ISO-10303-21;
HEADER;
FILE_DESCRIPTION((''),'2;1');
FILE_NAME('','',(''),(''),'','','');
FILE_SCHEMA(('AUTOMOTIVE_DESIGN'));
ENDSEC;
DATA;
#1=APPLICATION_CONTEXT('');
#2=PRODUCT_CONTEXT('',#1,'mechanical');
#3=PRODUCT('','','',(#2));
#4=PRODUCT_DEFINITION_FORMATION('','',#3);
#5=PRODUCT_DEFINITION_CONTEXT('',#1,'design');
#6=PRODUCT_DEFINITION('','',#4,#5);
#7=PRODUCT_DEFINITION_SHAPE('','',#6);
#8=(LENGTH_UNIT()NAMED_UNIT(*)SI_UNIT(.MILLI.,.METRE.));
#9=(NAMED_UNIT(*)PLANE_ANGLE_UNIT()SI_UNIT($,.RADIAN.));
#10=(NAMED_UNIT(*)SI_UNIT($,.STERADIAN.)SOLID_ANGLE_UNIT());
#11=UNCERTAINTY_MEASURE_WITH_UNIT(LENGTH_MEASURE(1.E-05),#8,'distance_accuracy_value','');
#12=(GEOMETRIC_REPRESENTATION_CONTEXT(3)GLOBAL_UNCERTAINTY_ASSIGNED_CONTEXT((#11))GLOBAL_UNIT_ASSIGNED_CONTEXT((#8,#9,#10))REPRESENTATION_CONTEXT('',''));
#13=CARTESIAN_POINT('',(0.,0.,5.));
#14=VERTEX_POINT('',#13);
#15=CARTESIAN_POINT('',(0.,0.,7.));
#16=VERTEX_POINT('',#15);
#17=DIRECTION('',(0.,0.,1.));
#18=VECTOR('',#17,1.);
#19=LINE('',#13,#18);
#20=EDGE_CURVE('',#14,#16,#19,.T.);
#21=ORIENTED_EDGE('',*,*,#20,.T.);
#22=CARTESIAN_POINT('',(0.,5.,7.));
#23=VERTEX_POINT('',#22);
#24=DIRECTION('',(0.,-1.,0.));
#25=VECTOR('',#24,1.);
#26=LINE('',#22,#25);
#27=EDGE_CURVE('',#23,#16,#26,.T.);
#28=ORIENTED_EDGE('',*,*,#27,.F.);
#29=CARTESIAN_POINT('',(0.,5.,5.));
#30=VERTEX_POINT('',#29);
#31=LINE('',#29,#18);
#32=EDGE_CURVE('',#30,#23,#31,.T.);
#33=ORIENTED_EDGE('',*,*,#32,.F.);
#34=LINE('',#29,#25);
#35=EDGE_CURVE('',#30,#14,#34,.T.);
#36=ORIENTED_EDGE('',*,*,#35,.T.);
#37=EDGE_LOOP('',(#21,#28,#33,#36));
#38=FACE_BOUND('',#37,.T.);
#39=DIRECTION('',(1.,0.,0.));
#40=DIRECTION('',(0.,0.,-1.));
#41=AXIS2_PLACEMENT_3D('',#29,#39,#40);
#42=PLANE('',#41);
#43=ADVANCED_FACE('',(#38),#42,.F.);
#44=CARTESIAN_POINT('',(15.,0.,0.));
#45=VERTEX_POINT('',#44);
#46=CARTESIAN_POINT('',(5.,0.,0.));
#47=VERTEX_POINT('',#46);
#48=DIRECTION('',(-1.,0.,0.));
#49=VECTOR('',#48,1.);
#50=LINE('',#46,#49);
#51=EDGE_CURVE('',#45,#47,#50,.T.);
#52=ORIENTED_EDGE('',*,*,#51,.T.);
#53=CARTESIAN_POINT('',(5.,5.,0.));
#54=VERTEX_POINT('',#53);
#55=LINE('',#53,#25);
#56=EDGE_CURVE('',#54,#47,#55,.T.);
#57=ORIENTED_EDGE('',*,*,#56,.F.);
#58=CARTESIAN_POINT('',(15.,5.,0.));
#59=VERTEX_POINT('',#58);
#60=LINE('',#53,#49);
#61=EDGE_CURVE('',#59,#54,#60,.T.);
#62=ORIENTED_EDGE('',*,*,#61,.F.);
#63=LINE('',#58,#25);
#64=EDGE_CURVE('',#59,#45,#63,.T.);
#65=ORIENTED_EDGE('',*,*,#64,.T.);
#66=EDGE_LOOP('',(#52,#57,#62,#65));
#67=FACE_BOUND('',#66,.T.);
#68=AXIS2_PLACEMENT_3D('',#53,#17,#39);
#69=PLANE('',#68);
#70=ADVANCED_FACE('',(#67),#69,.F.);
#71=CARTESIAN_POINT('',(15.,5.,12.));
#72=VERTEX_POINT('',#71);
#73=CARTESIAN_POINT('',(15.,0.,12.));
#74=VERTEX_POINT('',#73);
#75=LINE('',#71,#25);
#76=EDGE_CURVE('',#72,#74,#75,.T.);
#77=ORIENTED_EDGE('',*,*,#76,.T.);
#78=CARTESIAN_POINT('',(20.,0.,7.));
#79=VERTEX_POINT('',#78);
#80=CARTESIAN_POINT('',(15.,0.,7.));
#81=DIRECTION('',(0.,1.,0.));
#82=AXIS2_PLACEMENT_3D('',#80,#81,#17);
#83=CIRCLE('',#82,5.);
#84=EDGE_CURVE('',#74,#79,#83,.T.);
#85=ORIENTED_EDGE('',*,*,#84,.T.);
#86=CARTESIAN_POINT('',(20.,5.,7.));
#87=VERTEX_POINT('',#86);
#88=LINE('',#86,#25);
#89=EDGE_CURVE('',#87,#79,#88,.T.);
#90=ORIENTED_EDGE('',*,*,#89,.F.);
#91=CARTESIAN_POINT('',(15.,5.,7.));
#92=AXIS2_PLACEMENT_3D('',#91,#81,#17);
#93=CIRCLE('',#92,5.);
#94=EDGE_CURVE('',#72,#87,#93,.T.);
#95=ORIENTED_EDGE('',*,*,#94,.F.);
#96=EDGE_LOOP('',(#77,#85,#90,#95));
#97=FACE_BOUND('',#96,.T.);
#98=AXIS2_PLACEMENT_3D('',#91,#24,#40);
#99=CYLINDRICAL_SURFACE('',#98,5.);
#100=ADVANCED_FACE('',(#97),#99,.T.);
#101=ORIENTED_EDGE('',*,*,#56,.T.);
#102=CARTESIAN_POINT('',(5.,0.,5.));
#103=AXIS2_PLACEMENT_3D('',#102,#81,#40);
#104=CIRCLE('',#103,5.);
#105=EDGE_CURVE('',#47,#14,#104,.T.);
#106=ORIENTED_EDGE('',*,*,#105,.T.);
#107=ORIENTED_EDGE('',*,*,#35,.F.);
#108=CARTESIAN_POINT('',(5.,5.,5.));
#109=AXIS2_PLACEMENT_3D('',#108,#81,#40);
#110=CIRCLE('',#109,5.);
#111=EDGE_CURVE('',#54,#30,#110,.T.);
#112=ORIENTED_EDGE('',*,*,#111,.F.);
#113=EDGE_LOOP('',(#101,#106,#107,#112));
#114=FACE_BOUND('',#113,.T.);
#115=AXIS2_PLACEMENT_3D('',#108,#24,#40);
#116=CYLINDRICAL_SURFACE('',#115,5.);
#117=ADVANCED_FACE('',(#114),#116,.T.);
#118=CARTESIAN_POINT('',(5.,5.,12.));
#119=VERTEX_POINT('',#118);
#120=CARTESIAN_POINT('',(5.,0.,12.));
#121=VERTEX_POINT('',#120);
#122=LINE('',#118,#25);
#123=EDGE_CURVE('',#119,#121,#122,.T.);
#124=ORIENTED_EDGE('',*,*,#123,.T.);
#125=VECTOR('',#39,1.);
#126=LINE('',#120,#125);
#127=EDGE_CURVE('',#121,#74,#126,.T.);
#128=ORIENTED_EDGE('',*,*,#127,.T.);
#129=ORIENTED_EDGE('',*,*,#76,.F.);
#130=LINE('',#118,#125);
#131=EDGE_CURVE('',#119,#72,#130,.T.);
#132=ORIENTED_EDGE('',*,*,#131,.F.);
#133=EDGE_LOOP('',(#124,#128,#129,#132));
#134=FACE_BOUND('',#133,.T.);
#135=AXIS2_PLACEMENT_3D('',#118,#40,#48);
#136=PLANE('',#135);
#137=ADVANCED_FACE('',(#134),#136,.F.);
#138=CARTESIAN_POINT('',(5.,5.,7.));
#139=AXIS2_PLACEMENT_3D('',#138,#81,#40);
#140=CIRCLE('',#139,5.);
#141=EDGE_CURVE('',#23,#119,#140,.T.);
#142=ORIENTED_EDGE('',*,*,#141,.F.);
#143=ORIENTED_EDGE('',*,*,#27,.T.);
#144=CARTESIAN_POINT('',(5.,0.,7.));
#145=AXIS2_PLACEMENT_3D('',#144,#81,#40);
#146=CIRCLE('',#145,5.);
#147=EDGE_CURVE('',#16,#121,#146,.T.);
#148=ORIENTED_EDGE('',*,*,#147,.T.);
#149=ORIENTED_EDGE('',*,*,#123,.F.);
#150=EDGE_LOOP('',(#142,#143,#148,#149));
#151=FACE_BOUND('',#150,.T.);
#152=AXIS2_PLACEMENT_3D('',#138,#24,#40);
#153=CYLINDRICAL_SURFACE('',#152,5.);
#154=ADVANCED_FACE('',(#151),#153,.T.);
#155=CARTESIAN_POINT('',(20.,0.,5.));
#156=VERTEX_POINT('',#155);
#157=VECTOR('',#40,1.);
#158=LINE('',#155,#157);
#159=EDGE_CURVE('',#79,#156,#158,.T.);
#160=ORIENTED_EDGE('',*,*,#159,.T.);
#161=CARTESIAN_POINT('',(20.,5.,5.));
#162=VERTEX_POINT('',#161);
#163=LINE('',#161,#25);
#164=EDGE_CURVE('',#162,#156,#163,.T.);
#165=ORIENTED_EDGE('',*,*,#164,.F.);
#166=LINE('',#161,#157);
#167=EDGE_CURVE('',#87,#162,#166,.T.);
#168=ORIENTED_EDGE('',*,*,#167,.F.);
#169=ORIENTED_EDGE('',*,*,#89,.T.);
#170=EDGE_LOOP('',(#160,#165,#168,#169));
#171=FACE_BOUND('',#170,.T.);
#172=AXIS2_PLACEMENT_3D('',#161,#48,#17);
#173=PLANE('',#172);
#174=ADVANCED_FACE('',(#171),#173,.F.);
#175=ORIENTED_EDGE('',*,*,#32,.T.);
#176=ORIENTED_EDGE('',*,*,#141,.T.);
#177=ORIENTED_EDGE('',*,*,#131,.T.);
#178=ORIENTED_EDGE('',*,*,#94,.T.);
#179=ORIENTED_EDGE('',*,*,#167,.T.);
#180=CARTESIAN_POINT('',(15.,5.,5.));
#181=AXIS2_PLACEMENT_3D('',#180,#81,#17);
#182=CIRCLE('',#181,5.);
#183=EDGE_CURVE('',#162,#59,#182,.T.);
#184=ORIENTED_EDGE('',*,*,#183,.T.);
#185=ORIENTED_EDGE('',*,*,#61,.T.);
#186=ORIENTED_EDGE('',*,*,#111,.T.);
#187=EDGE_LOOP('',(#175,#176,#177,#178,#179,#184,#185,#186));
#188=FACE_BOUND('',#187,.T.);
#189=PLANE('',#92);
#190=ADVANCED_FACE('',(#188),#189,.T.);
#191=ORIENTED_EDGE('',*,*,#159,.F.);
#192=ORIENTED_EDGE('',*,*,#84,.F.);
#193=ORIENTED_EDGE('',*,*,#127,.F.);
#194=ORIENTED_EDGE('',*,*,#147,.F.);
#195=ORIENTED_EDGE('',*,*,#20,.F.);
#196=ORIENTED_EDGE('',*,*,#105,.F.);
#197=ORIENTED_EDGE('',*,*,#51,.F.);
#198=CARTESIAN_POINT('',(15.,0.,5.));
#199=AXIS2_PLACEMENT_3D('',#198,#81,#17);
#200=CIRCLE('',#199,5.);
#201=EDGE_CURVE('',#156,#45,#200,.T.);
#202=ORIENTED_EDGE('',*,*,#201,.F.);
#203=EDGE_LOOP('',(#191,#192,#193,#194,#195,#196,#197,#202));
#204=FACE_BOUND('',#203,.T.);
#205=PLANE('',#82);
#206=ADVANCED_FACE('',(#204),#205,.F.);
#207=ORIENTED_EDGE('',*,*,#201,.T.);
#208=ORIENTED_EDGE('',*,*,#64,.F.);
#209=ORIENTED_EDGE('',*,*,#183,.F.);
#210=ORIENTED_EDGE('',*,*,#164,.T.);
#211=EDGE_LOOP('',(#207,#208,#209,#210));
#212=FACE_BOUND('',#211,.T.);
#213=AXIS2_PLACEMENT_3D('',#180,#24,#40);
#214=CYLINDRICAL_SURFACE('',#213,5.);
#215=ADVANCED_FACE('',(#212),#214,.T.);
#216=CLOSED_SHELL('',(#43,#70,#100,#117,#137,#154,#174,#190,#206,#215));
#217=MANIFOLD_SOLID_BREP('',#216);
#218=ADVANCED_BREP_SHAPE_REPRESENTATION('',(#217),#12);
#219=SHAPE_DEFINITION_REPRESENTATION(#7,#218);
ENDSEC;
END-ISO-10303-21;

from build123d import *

# Parameters (mm, degrees)
BOSS_EXTRUDE1_DEPTH = 5


with BuildPart() as part:
    # Sketch1 → Boss-Extrude1 (new body)
    with BuildSketch(Plane(origin=(0, 0, 0), x_dir=(1, 0, 0), z_dir=(0, 1, 0))):
        with BuildLine():
            Line((5, 0), (15, 0))
            ThreePointArc((15, 0), (18.535533906, -1.464466094), (20, -5))
            Line((20, -5), (20, -7))
            ThreePointArc((20, -7), (18.535533906, -10.535533906), (15, -12))
            Line((15, -12), (5, -12))
            ThreePointArc((5, -12), (1.464466094, -10.535533906), (0, -7))
            Line((0, -7), (0, -5))
            ThreePointArc((0, -5), (1.464466094, -1.464466094), (5, 0))
        make_face()
    extrude(amount=BOSS_EXTRUDE1_DEPTH)


solid = part.part
